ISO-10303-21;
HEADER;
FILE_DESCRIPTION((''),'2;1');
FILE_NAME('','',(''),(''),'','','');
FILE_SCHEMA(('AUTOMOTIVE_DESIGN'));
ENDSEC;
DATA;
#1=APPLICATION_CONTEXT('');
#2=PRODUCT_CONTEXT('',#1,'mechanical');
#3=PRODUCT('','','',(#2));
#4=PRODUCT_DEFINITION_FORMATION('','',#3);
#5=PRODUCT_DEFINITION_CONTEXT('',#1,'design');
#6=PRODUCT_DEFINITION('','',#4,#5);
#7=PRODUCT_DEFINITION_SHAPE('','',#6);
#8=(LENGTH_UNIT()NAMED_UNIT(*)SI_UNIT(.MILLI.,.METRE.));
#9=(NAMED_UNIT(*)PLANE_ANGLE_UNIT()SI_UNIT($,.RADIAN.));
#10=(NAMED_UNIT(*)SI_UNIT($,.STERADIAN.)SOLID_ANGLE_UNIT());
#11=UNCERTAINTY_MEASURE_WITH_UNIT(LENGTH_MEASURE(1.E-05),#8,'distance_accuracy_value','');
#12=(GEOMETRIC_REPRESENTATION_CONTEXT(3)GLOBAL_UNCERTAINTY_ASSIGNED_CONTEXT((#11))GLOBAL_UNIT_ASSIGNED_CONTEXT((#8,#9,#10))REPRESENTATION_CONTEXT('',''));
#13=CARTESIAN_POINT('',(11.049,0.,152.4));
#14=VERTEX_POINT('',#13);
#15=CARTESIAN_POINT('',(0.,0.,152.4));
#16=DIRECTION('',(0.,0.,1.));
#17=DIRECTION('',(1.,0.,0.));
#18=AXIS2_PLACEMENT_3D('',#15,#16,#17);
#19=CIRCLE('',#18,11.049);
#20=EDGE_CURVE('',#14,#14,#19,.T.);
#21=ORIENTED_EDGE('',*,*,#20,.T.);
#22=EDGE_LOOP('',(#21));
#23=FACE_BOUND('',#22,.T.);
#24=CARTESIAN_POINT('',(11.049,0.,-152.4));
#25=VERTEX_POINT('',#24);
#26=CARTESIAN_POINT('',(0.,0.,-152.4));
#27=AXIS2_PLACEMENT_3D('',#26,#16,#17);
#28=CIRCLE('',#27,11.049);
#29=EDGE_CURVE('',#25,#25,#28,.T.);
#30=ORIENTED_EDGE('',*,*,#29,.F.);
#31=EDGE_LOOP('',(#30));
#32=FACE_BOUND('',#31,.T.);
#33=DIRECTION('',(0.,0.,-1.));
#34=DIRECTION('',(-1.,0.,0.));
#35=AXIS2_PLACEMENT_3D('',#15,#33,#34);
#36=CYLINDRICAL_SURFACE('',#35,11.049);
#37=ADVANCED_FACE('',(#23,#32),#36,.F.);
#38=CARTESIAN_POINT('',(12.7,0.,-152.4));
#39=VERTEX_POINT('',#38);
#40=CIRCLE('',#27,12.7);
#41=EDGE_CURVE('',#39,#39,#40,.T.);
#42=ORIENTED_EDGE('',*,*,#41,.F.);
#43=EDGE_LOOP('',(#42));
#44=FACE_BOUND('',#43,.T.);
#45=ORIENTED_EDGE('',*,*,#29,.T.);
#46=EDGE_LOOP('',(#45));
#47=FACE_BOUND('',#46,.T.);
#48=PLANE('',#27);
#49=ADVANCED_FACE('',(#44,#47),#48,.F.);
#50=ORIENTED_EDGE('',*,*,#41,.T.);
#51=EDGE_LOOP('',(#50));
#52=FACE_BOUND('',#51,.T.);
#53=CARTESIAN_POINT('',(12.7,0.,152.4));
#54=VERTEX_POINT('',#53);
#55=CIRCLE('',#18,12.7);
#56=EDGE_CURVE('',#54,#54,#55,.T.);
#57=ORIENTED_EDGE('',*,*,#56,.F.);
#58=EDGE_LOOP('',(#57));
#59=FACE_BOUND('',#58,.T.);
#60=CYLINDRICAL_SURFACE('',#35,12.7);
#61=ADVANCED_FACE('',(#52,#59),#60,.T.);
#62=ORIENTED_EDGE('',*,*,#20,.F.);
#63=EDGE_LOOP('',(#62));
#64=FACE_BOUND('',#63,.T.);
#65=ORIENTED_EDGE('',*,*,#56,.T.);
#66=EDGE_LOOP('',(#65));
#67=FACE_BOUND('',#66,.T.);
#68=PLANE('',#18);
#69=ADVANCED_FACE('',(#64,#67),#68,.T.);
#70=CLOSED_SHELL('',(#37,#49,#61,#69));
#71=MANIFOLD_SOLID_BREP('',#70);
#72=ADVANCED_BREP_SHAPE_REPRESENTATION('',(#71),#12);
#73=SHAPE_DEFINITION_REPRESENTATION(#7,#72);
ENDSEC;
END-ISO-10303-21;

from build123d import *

# Parameters (mm, degrees)
BOSS_EXTRUDE1_DEPTH      = 152.4
BOSS_EXTRUDE1_DEPTH_BACK = 152.4
SKETCH3_R                = 12.7
SKETCH3_R_2              = 11.049


with BuildPart() as part:
    # Sketch3 → Boss-Extrude1 (new, two sides: drawn at the far end of the back side and taken through both)
    with BuildSketch(Plane.XY.offset(-BOSS_EXTRUDE1_DEPTH_BACK)):
        Circle(SKETCH3_R)
        Circle(SKETCH3_R_2, mode=Mode.SUBTRACT)
    extrude(amount=BOSS_EXTRUDE1_DEPTH + BOSS_EXTRUDE1_DEPTH_BACK)


solid = part.part
